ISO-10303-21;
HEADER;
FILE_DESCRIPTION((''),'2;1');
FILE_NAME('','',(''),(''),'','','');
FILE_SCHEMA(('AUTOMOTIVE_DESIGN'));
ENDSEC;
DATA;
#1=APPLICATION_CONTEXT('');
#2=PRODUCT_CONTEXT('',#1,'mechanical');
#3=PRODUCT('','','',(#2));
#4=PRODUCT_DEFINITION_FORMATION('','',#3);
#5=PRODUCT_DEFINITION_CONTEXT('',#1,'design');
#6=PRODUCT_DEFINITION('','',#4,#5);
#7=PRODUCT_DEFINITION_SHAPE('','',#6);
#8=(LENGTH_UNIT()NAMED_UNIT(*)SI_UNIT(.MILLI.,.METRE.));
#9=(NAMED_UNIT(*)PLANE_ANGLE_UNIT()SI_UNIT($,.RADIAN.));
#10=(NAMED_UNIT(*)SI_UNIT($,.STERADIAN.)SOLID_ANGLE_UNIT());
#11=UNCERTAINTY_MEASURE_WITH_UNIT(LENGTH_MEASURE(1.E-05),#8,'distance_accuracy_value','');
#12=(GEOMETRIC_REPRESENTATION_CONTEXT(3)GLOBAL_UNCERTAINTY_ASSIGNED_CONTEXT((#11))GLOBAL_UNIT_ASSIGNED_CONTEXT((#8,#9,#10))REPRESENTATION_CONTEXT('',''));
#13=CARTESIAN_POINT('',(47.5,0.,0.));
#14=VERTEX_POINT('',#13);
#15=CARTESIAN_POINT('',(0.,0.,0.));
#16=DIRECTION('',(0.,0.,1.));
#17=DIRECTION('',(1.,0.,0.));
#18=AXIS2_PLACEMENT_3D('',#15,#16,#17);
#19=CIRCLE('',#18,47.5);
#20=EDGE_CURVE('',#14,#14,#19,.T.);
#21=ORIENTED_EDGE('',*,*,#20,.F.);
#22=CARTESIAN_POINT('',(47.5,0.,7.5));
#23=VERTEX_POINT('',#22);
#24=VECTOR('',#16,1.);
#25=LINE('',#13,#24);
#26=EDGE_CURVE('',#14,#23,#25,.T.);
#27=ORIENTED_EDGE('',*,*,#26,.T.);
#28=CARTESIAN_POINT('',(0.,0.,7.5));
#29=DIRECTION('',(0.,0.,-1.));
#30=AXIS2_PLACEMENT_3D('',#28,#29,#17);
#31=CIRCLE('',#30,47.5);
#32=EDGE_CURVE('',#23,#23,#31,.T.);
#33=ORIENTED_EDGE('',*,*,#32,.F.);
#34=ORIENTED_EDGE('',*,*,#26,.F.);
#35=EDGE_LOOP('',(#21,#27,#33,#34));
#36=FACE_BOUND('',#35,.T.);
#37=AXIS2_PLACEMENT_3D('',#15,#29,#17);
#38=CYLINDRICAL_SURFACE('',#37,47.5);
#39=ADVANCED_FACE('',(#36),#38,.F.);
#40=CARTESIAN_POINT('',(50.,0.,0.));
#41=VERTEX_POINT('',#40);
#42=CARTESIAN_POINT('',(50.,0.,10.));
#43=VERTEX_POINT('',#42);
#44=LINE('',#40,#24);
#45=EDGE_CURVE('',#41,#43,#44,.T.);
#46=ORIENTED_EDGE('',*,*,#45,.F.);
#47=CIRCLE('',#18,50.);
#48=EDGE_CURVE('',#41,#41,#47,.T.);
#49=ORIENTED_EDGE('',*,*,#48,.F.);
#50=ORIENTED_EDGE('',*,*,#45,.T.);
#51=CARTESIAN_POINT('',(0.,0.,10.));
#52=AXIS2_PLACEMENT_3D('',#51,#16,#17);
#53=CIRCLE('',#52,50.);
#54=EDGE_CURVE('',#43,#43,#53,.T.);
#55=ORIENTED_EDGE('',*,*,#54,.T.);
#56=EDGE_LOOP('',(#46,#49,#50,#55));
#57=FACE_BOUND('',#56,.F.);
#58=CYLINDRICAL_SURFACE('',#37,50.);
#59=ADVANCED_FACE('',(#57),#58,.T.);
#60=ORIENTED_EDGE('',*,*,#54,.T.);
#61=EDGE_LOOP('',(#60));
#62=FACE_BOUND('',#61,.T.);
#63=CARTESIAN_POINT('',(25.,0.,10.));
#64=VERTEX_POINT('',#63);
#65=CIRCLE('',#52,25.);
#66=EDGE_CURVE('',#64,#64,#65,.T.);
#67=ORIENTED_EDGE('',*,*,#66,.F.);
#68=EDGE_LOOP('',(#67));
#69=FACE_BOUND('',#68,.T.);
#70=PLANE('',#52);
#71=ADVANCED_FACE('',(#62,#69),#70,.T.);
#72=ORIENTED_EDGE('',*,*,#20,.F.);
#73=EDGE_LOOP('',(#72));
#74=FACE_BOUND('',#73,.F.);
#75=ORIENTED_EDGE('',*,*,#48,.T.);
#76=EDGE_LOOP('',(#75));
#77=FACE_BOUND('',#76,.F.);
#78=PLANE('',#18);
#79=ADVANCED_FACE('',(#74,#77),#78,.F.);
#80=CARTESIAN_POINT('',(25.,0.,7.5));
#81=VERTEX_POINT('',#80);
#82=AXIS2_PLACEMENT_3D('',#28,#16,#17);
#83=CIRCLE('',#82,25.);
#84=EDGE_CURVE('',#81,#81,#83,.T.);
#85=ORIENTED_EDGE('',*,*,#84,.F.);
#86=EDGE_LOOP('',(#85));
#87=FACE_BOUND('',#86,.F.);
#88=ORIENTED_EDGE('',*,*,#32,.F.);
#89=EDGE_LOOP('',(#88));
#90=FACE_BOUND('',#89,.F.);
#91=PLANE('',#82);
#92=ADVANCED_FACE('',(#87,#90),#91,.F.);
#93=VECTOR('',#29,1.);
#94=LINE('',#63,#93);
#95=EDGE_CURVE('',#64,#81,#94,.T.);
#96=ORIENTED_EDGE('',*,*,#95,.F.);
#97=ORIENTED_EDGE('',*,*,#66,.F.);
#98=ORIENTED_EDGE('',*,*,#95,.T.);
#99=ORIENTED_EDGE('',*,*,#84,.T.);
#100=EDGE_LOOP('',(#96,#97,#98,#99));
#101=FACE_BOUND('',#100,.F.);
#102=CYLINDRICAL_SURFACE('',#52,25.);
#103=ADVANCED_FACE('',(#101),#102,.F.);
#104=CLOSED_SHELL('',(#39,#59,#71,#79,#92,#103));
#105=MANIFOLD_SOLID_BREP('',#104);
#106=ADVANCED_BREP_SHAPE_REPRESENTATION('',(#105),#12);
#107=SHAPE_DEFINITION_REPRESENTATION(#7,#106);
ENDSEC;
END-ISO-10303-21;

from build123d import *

# Parameters (mm, degrees)
F0_R     = 50
F1_DEPTH = 10
F2_T     = -2.5
F3_R     = 25
F4_DEPTH = 25


with BuildPart() as f1:
    # F0 (on Top) → F1 (new body)
    with BuildSketch(Plane.XY):
        Circle(F0_R)
    extrude(amount=F1_DEPTH)

    # F2
    f2_openings = [f1.faces().sort_by_distance(p)[0] for p in [
        (0, 0, 0),
    ]]
    offset(amount=F2_T, openings=f2_openings)

    # F3 (on face) → F4 (cut)
    with BuildSketch(Plane.XY.offset(10)):
        Circle(F3_R)
    extrude(amount=-F4_DEPTH, mode=Mode.SUBTRACT)


solid = f1.part
